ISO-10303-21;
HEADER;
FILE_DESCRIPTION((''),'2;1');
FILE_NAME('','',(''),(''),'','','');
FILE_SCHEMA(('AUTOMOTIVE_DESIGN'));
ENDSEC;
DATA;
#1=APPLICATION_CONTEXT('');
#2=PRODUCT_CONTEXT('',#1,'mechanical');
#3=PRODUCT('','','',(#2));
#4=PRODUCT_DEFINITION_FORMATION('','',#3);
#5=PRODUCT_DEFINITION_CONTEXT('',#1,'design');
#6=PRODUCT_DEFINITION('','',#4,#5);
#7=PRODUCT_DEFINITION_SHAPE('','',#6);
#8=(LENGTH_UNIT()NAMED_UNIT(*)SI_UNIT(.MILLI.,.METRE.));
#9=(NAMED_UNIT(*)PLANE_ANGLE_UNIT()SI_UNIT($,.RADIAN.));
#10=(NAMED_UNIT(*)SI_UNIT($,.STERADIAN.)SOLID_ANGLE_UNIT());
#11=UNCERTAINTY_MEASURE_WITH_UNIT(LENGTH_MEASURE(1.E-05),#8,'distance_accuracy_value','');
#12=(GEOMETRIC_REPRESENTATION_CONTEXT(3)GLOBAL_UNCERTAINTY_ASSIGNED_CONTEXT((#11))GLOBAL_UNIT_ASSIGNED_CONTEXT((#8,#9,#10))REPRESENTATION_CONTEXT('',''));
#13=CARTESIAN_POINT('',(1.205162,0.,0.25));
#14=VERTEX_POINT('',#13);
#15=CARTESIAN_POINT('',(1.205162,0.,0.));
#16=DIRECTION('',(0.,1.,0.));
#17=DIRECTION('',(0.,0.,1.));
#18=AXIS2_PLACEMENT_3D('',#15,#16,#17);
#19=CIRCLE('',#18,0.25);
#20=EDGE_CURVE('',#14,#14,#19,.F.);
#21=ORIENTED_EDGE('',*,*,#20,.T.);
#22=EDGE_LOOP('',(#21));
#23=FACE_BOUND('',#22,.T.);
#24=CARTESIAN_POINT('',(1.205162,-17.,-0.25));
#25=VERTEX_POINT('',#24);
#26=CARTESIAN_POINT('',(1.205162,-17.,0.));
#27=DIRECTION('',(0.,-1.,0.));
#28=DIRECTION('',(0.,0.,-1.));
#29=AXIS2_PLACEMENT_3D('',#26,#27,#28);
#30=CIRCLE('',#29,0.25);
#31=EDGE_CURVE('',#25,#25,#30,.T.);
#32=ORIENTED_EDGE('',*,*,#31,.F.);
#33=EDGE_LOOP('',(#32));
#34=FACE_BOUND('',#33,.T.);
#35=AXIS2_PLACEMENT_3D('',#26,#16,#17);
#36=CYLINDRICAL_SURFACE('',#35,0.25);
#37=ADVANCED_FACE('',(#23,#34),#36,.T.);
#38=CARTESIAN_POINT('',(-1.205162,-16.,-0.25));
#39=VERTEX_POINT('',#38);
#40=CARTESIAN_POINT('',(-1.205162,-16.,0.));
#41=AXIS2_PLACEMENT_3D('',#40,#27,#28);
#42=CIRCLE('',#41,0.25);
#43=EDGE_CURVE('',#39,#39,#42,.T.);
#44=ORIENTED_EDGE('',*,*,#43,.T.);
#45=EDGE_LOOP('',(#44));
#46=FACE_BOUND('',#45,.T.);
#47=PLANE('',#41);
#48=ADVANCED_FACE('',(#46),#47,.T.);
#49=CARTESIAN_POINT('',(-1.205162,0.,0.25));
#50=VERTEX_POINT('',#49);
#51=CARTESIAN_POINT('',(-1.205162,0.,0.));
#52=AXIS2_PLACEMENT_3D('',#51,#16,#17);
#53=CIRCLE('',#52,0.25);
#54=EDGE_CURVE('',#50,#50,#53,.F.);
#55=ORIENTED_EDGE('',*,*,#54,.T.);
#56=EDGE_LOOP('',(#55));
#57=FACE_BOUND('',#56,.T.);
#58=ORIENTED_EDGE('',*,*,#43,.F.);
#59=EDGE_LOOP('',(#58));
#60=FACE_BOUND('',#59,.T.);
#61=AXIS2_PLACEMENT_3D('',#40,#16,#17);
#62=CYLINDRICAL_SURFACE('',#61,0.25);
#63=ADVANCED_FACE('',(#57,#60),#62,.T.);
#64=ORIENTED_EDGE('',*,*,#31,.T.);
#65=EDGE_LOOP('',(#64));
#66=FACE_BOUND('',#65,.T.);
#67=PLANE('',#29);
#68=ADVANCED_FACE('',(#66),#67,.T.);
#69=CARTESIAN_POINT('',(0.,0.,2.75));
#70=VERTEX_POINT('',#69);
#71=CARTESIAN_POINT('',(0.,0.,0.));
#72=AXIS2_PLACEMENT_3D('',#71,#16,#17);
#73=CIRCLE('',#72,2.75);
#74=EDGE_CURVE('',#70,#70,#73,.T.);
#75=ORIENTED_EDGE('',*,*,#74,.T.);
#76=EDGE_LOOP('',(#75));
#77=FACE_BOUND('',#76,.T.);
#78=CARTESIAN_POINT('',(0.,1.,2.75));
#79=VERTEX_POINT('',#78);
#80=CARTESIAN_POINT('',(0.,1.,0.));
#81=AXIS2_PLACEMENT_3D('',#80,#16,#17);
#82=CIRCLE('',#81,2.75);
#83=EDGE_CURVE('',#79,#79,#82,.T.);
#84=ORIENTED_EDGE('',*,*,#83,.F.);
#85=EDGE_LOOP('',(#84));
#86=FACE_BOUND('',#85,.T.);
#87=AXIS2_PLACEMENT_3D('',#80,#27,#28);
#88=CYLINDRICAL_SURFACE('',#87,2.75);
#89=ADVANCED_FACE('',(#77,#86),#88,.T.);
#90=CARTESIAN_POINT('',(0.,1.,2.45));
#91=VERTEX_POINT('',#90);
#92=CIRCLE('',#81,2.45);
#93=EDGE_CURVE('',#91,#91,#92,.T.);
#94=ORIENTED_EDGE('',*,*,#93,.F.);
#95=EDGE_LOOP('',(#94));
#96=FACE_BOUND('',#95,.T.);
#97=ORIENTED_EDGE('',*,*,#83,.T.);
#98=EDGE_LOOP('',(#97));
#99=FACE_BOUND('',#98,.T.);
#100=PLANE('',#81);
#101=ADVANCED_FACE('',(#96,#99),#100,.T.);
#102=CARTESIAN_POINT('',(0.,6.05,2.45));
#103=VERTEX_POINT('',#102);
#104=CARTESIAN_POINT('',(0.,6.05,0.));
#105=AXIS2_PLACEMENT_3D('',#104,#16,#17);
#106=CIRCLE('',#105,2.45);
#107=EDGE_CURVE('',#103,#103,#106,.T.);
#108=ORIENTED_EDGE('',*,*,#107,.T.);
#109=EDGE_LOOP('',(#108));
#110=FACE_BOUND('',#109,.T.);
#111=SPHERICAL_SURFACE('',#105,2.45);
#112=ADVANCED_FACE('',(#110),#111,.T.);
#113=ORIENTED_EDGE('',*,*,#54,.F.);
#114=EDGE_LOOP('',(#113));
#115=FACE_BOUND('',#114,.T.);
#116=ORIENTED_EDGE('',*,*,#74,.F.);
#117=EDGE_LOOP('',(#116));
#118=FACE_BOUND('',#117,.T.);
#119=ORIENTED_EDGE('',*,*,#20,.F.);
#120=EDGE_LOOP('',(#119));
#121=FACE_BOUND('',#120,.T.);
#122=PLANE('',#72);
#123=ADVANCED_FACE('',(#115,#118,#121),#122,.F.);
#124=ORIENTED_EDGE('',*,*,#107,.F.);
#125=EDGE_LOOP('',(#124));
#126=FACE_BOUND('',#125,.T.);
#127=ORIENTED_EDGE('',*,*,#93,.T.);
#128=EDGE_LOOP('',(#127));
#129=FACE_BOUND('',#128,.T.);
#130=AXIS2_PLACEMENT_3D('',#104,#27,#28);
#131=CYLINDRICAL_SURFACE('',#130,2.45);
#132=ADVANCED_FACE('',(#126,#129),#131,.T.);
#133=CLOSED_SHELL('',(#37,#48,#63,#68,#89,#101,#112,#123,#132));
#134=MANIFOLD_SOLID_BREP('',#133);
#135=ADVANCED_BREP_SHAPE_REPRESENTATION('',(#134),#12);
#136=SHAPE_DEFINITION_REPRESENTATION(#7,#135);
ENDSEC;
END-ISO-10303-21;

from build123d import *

# Parameters (mm, degrees)
CROQUIS1_R              = 2.75
SALIENTE_EXTRUIR1_DEPTH = 1
CROQUIS2_R              = 2.45
SALIENTE_EXTRUIR2_DEPTH = 5.05
C_PULA1_FACE_RADIUS     = 2.45
C_PULA1_HEIGHT          = 2.45
CROQUIS3_R              = 0.25
SALIENTE_EXTRUIR3_DEPTH = 16
CROQUIS5_R              = 0.25
SALIENTE_EXTRUIR5_DEPTH = 17


with BuildPart() as part:
    # Croquis1 → Saliente-Extruir1 (new body)
    with BuildSketch(Plane(origin=(0, 0, 0), x_dir=(1, 0, 0), z_dir=(0, 1, 0))):
        with Locations(Location((0, 0, 0), (0, 0, 270))):
            Circle(CROQUIS1_R)
    extrude(amount=SALIENTE_EXTRUIR1_DEPTH)

    # Croquis2 → Saliente-Extruir2 (add)
    with BuildSketch(Plane(origin=(0, 1, 0), x_dir=(1, 0, 0), z_dir=(0, 1, 0))):
        with Locations(Location((0, 0, 0), (0, 0, 270))):
            Circle(CROQUIS2_R)
    extrude(amount=SALIENTE_EXTRUIR2_DEPTH)

    # Cúpula1: a dome of height H over a round flat face of radius A is a cap of a sphere of radius (A * A + H * H) / (2 * H)
    c_pula1_r = (C_PULA1_FACE_RADIUS * C_PULA1_FACE_RADIUS + C_PULA1_HEIGHT * C_PULA1_HEIGHT) / (2 * C_PULA1_HEIGHT)
    c_pula1_base = Plane((0, 6.05, 0), z_dir=(0, 1, 0))
    with Locations(c_pula1_base.offset(C_PULA1_HEIGHT - c_pula1_r)):
        c_pula1_ball = Sphere(c_pula1_r, mode=Mode.PRIVATE)
    add(split(c_pula1_ball, bisect_by=c_pula1_base, keep=Keep.TOP, mode=Mode.PRIVATE))

    # Croquis3 → Saliente-Extruir3 (add)
    with BuildSketch(Plane.XZ):
        with Locations(Location((-1.205162028, 0, 0), (0, 0, 90))):
            Circle(CROQUIS3_R)
    extrude(amount=SALIENTE_EXTRUIR3_DEPTH)

    # Croquis5 → Saliente-Extruir5 (add)
    with BuildSketch(Plane.XZ):
        with Locations(Location((1.205162028, 0, 0), (0, 0, 90))):
            Circle(CROQUIS5_R)
    extrude(amount=SALIENTE_EXTRUIR5_DEPTH)


solid = part.part
